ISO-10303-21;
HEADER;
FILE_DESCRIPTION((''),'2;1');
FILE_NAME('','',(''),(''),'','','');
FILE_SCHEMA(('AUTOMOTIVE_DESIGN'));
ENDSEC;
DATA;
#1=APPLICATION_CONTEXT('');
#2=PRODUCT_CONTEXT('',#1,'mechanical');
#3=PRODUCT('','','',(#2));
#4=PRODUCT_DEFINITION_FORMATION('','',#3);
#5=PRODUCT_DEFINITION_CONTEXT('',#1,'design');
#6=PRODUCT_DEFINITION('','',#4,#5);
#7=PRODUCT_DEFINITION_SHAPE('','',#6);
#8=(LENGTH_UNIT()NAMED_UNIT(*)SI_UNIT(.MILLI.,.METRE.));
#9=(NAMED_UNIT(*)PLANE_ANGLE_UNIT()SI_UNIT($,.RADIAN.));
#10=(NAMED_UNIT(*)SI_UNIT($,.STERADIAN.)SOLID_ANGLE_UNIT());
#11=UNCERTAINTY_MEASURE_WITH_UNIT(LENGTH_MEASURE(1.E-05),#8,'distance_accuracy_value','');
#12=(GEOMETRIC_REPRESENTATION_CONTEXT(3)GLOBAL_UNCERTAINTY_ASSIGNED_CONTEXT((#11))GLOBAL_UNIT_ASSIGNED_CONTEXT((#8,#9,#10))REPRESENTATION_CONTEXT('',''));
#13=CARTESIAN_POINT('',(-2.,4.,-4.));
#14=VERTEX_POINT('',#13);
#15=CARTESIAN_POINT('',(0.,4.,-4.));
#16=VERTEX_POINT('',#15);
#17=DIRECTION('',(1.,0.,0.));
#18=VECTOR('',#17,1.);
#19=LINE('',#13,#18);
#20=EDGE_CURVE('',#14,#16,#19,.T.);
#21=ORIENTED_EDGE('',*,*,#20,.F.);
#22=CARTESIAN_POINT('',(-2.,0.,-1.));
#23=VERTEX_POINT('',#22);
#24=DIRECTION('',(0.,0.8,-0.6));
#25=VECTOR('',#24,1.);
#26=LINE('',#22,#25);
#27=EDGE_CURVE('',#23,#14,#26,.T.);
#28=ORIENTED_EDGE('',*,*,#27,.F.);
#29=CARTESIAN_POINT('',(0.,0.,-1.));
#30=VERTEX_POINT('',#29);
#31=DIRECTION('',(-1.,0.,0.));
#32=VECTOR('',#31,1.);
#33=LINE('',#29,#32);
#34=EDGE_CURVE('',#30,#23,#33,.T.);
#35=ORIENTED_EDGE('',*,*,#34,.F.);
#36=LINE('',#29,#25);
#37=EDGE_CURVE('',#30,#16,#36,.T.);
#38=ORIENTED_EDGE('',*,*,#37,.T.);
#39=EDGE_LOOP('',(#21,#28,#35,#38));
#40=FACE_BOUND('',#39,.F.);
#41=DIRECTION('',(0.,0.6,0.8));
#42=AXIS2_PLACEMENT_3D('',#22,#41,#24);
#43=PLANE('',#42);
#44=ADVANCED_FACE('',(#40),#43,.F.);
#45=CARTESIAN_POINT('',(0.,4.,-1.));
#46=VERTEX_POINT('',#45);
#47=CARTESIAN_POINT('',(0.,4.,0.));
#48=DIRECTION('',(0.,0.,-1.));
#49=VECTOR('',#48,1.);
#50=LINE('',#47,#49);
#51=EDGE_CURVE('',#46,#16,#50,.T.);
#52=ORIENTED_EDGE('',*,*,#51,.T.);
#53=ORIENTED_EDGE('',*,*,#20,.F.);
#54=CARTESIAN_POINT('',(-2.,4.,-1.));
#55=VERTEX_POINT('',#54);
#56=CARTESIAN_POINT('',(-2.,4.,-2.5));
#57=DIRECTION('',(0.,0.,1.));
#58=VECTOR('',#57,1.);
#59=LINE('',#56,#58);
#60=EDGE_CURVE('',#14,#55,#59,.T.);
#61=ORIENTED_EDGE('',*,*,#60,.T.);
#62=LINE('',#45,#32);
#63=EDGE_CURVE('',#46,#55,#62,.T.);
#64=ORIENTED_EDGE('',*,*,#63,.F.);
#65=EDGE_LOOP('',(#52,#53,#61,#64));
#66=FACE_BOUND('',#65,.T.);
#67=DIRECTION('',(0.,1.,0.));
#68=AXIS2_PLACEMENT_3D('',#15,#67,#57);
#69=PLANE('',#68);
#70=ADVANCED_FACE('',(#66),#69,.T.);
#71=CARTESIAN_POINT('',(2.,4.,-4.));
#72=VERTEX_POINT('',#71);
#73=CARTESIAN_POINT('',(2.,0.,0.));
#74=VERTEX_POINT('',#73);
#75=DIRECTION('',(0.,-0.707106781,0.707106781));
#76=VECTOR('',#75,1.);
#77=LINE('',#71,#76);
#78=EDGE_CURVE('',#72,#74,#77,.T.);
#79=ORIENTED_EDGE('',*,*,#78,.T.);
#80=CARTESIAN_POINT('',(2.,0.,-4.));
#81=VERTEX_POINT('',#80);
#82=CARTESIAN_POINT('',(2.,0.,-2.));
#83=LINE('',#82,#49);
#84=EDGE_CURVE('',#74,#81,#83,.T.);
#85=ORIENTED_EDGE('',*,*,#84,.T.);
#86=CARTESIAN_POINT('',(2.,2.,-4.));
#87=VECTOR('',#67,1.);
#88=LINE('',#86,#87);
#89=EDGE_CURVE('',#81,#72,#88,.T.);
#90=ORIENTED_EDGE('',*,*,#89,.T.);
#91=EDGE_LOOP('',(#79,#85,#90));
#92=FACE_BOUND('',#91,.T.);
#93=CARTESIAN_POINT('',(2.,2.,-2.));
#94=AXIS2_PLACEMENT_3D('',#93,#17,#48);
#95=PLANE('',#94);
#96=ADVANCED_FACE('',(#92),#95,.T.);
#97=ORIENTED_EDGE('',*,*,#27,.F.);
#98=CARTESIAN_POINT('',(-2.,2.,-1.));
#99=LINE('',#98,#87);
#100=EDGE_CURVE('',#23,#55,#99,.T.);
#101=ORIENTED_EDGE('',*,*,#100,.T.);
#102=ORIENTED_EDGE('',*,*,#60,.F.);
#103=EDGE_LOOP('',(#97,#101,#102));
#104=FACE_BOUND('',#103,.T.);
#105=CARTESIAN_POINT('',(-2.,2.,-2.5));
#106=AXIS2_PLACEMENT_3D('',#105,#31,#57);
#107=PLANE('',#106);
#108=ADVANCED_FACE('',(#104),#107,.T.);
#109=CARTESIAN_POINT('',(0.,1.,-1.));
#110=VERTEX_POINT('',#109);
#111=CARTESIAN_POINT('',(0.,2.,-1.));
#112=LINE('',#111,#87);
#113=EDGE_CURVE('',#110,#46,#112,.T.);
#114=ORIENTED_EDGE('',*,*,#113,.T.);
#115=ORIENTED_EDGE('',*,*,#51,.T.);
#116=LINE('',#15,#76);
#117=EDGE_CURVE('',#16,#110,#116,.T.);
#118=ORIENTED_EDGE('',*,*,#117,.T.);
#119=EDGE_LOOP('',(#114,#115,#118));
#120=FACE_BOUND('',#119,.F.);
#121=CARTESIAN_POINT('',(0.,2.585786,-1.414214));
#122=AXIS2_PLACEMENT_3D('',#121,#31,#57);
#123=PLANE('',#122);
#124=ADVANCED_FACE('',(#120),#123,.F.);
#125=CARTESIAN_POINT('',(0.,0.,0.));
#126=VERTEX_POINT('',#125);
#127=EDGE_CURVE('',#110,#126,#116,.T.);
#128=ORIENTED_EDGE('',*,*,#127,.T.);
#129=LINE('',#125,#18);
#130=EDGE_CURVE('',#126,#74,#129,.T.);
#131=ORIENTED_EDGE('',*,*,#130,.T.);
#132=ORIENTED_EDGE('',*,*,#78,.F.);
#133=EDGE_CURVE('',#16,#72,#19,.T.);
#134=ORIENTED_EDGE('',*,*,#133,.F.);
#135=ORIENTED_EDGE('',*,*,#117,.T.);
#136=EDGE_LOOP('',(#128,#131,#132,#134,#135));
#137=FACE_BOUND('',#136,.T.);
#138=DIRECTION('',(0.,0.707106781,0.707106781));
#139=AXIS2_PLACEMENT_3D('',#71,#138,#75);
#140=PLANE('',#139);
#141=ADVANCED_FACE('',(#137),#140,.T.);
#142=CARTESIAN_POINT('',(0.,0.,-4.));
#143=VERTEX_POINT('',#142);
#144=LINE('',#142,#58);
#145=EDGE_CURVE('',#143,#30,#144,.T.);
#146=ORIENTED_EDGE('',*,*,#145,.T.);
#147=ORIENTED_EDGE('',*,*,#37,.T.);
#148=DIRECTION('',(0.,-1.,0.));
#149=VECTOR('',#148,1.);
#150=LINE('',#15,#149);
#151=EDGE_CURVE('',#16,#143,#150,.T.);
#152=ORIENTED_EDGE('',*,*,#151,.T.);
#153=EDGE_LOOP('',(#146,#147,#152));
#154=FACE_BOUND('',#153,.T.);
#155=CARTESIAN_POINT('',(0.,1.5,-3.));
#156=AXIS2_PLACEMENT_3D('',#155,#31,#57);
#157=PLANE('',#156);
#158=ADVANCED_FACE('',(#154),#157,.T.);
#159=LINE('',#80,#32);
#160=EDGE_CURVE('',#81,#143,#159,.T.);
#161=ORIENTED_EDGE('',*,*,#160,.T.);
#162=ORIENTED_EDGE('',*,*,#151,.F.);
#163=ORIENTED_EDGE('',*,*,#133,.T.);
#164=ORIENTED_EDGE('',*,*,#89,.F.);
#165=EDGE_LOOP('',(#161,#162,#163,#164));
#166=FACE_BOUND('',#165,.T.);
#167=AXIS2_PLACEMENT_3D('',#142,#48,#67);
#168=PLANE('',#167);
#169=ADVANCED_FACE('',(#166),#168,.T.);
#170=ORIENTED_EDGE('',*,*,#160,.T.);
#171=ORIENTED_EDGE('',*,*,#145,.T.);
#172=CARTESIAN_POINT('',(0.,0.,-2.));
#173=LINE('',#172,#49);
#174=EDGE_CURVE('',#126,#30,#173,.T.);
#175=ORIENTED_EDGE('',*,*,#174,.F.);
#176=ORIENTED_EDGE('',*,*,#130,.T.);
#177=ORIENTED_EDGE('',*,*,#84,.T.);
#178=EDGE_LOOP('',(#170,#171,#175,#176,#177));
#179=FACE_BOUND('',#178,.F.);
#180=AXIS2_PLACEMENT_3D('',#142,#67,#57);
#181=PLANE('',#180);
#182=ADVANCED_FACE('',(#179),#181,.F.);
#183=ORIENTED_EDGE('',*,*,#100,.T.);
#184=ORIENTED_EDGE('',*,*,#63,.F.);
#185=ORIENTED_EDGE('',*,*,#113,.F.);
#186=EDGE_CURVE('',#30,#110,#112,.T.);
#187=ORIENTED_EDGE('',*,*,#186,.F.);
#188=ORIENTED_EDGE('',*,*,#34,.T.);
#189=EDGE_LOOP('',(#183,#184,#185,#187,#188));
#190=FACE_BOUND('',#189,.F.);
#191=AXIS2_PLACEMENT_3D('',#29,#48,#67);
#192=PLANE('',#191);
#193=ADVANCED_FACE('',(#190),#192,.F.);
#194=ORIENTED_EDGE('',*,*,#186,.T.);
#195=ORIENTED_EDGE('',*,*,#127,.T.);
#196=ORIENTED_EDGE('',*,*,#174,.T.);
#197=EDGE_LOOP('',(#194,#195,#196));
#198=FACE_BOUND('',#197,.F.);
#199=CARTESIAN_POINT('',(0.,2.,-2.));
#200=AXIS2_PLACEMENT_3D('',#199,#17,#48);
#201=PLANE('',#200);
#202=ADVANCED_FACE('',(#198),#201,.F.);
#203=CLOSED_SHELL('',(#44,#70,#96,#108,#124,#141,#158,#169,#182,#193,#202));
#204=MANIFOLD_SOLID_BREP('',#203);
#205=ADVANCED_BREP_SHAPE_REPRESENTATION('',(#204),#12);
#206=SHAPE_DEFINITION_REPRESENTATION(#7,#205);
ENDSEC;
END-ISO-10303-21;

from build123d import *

# Parameters (mm, degrees)
SKETCH1_W           = 4
SKETCH1_H           = 4
BOSS_EXTRUDE1_DEPTH = 2
SKETCH2_W           = 3
SKETCH2_H           = 4
BOSS_EXTRUDE2_DEPTH = 2
CUT_EXTRUDE1_DEPTH  = 2
CUT_EXTRUDE2_DEPTH  = 2


with BuildPart() as part:
    # Sketch1 → Boss-Extrude1 (new body)
    with BuildSketch(Plane(origin=(0, 0, 0), x_dir=(0, 0, -1), z_dir=(1, 0, 0))):
        with Locations((2, 2)):
            Rectangle(SKETCH1_W, SKETCH1_H)
    extrude(amount=BOSS_EXTRUDE1_DEPTH)

    # Sketch2 → Boss-Extrude2 (add)
    with BuildSketch(Plane.ZY):
        with Locations((-2.5, 2)):
            Rectangle(SKETCH2_W, SKETCH2_H)
    extrude(amount=BOSS_EXTRUDE2_DEPTH)

    # Sketch3 → Cut-Extrude1 (cut)
    with BuildSketch(Plane(origin=(2, 0, 0), x_dir=(0, 0, -1), z_dir=(1, 0, 0))):
        Polygon((4, 4), (0, 0), (0, 4), align=None)
    extrude(amount=-CUT_EXTRUDE1_DEPTH, mode=Mode.SUBTRACT)

    # Sketch4 → Cut-Extrude2 (cut)
    with BuildSketch(Plane.ZY.offset(2)):
        Polygon((-1, 0), (-4, 4), (-4, 0), align=None)
    extrude(amount=-CUT_EXTRUDE2_DEPTH, mode=Mode.SUBTRACT)


solid = part.part
